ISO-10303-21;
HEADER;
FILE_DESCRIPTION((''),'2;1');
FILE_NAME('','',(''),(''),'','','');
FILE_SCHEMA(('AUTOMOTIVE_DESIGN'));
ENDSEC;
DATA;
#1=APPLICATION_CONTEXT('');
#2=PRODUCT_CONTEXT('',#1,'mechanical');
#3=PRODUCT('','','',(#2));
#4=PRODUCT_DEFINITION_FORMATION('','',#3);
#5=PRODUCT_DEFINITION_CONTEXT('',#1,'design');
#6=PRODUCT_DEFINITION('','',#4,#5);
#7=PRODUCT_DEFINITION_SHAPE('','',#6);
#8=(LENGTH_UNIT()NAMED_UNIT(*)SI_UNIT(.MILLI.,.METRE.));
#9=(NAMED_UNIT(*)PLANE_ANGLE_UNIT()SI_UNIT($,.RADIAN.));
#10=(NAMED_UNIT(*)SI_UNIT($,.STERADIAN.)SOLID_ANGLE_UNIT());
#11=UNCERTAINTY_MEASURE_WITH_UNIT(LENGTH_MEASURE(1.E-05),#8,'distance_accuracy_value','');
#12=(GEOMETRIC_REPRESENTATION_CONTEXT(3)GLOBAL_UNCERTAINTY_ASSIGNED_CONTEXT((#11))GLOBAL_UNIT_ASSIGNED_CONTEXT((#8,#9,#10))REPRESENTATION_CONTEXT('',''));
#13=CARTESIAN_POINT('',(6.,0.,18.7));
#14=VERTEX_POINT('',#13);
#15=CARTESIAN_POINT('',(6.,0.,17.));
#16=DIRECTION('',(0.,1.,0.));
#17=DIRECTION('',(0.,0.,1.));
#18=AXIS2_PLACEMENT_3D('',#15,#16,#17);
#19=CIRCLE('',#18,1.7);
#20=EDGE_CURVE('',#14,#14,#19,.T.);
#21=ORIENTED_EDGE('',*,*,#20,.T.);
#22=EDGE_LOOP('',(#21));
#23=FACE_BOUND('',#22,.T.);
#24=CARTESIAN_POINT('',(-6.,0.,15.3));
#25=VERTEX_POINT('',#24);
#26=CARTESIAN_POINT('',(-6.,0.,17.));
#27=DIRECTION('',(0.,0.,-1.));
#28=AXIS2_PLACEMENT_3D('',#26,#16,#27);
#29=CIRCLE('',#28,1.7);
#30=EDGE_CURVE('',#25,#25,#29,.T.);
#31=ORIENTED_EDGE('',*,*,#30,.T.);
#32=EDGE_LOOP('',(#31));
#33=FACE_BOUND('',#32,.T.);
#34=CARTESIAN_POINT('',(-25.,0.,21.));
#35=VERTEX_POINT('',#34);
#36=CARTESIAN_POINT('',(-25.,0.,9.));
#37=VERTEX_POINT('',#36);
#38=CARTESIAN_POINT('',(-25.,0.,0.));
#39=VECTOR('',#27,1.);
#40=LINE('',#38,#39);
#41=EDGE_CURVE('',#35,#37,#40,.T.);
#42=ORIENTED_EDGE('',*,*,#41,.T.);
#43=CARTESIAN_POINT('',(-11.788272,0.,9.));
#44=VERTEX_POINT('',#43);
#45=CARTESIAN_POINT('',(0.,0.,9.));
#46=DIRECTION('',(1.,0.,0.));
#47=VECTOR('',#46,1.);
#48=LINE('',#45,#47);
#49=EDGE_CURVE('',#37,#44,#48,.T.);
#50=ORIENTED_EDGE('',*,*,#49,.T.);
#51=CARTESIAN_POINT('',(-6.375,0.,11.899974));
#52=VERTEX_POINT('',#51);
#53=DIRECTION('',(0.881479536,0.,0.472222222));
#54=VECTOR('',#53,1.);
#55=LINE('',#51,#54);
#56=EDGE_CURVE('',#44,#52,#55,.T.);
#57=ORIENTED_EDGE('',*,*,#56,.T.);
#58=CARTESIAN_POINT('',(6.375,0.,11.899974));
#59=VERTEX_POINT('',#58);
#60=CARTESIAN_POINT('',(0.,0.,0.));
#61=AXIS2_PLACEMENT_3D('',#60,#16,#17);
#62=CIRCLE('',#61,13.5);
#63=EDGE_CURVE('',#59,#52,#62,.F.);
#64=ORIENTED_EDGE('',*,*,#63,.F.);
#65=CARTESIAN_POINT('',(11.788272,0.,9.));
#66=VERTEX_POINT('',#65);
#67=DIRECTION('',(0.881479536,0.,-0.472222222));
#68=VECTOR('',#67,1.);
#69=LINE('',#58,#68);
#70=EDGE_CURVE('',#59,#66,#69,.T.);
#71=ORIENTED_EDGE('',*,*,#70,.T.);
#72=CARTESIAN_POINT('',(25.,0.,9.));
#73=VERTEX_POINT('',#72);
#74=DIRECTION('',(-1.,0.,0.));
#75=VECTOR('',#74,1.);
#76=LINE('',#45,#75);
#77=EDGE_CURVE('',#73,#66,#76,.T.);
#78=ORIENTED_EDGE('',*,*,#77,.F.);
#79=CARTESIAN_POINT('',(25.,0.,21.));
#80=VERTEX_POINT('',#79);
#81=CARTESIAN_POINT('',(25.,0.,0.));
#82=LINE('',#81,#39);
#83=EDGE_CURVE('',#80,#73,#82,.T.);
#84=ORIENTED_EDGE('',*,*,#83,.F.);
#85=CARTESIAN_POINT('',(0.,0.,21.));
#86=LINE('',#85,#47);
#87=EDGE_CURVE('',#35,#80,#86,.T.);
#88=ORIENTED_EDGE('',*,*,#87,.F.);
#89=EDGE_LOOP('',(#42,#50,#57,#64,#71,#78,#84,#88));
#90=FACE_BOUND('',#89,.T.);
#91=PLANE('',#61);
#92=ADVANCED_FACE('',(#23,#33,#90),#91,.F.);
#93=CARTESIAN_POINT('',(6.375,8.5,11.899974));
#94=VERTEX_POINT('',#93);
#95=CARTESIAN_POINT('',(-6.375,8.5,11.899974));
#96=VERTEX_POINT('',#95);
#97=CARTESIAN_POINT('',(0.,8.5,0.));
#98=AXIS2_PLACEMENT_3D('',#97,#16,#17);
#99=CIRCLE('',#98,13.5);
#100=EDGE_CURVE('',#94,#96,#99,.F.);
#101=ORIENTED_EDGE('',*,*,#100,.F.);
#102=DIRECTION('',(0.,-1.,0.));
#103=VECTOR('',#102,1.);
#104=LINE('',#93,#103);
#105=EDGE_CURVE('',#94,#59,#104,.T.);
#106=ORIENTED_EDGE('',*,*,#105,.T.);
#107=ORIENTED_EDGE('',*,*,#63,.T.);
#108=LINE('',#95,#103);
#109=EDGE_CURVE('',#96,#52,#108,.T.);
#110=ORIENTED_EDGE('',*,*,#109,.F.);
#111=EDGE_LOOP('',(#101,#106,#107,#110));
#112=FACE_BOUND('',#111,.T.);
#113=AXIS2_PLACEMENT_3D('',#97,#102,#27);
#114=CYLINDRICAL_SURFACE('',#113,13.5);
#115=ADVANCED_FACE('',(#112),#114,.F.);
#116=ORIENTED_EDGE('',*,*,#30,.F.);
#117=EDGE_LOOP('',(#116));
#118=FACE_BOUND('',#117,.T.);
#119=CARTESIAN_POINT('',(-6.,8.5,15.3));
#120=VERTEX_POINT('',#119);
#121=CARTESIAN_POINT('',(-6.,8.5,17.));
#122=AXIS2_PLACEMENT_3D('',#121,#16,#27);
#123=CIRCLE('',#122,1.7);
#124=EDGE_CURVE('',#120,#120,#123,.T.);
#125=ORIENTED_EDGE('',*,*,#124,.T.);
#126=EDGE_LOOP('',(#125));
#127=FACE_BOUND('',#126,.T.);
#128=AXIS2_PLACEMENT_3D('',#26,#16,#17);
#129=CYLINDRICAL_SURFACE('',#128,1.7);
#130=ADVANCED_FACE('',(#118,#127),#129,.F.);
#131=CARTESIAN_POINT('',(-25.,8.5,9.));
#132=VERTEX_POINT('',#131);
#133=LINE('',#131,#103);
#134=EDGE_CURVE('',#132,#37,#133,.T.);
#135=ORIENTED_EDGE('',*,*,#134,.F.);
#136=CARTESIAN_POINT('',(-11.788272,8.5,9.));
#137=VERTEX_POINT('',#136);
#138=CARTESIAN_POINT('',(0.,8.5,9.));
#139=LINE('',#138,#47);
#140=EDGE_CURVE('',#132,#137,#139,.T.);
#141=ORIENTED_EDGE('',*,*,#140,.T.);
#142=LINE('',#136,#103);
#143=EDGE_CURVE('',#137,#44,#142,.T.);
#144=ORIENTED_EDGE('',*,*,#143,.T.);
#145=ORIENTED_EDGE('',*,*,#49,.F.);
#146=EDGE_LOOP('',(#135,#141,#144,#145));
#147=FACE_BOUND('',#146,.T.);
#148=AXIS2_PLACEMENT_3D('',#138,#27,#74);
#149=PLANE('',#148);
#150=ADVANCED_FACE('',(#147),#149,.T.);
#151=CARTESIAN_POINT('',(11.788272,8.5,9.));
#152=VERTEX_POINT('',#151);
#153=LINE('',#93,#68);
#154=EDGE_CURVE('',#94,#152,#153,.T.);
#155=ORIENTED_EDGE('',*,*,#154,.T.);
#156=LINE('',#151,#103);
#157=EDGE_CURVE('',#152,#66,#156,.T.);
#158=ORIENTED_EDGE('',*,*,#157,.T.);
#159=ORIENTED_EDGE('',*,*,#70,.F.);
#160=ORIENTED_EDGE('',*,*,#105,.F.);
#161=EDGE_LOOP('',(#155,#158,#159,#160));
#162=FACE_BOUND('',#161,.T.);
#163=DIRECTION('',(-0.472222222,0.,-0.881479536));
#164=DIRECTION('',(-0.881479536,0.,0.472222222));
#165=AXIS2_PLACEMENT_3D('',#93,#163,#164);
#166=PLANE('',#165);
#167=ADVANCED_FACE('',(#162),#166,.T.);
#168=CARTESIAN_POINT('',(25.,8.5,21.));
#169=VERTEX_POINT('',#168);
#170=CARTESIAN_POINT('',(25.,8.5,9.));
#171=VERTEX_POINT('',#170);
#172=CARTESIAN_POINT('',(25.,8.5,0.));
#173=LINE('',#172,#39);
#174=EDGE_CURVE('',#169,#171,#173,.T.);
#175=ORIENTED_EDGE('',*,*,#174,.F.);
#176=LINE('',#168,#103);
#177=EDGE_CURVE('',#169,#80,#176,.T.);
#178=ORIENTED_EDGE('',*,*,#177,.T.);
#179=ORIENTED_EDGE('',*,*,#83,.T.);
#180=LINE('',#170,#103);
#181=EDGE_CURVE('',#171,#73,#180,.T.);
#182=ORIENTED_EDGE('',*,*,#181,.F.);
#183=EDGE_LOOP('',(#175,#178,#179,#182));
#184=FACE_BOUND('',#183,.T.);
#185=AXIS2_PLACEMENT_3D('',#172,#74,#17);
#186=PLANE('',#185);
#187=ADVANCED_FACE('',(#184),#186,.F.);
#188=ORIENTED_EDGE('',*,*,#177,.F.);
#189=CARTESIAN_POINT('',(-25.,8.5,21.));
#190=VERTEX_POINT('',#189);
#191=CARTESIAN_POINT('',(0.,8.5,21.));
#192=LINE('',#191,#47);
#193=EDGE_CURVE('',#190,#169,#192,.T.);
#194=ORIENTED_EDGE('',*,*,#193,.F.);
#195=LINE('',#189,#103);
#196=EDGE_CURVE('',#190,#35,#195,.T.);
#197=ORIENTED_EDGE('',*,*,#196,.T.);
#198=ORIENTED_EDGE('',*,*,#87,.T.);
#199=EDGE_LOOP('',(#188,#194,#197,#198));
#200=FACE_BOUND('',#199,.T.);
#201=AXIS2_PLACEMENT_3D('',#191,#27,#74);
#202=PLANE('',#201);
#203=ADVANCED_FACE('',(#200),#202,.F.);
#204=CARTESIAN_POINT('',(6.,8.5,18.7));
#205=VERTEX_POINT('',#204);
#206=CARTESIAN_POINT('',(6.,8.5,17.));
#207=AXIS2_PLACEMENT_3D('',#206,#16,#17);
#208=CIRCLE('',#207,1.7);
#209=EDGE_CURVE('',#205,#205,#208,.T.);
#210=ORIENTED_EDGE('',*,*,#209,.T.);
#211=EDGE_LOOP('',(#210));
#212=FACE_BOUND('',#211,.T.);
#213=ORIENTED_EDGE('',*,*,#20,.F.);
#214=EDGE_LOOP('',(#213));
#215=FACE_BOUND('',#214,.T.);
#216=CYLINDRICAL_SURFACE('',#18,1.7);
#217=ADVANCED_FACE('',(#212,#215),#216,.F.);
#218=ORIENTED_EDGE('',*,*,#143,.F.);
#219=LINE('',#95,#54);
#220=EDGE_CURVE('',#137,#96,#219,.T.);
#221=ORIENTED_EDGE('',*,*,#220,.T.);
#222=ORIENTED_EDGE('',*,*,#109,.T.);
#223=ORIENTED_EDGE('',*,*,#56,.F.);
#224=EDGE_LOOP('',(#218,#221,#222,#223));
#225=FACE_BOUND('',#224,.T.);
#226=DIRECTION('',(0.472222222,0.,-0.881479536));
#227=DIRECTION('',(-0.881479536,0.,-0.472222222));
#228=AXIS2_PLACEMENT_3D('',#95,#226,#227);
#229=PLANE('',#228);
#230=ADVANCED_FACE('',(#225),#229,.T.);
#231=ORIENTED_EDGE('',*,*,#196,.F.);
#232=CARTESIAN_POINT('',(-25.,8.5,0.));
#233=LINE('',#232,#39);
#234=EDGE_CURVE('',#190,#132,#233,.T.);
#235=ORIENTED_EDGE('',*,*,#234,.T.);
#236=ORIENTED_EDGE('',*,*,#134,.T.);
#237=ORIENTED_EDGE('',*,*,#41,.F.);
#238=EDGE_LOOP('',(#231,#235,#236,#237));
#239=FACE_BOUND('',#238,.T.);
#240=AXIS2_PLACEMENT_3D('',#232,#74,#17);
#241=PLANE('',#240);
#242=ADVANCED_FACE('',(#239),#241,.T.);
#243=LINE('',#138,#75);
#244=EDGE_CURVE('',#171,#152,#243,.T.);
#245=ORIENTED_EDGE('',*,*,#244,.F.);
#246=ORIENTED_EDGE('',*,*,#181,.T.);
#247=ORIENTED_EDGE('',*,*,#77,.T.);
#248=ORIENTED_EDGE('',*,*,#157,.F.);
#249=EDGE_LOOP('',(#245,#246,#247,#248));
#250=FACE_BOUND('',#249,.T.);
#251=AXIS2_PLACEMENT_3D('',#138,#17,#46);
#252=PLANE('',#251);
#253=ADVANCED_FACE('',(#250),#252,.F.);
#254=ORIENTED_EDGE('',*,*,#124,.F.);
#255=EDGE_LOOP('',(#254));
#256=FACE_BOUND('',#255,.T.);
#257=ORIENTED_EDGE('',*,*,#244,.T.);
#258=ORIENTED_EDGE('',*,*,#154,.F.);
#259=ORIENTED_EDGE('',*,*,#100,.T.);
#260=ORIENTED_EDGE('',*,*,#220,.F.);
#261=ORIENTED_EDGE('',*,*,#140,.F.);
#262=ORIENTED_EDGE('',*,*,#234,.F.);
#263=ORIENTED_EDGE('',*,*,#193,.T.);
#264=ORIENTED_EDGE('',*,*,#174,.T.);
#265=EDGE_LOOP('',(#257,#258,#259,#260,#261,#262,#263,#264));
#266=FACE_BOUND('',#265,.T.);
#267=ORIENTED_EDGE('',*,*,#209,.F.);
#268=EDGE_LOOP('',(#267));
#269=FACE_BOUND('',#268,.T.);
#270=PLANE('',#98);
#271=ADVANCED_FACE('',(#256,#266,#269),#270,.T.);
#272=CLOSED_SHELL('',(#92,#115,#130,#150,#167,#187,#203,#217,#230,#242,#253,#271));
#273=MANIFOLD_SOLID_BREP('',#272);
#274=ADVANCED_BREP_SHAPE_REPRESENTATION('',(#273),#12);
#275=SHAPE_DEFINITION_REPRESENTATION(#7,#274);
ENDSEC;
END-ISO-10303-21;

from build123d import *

# Parameters (mm, degrees)
EXTRUDE_1_DEPTH     = 8.5
SKETCH_2_R          = 1.7
CUT_EXTRUDE_1_DEPTH = 34.737960816


with BuildPart() as part:
    # 草图1 → 凸台-拉伸1 (new body)
    with BuildSketch(Plane(origin=(0, 0, 0), x_dir=(1, 0, 0), z_dir=(0, 1, 0))):
        with BuildLine():
            Line((-25, -21), (25, -21))
            Line((25, -21), (25, -9))
            Line((25, -9), (11.788272368, -9))
            Line((11.788272368, -9), (6.375, -11.899973739))
            ThreePointArc((6.375, -11.899973739), (0, -13.5), (-6.375, -11.899973739))
            Line((-6.375, -11.899973739), (-11.788272368, -9))
            Line((-11.788272368, -9), (-25, -9))
            Line((-25, -9), (-25, -21))
        make_face()
    extrude(amount=EXTRUDE_1_DEPTH)

    # 草图2 → 切除-拉伸1 (cut, through all)
    with BuildSketch(Plane(origin=(0, 8.5, 0), x_dir=(1, 0, 0), z_dir=(0, 1, 0))):
        with Locations(Location((6, -17, 0), (0, 0, 270))):
            Circle(SKETCH_2_R)
        with Locations(Location((-6, -17, 0), (0, 0, 90))):
            Circle(SKETCH_2_R)
    extrude(amount=-CUT_EXTRUDE_1_DEPTH, mode=Mode.SUBTRACT)


solid = part.part
